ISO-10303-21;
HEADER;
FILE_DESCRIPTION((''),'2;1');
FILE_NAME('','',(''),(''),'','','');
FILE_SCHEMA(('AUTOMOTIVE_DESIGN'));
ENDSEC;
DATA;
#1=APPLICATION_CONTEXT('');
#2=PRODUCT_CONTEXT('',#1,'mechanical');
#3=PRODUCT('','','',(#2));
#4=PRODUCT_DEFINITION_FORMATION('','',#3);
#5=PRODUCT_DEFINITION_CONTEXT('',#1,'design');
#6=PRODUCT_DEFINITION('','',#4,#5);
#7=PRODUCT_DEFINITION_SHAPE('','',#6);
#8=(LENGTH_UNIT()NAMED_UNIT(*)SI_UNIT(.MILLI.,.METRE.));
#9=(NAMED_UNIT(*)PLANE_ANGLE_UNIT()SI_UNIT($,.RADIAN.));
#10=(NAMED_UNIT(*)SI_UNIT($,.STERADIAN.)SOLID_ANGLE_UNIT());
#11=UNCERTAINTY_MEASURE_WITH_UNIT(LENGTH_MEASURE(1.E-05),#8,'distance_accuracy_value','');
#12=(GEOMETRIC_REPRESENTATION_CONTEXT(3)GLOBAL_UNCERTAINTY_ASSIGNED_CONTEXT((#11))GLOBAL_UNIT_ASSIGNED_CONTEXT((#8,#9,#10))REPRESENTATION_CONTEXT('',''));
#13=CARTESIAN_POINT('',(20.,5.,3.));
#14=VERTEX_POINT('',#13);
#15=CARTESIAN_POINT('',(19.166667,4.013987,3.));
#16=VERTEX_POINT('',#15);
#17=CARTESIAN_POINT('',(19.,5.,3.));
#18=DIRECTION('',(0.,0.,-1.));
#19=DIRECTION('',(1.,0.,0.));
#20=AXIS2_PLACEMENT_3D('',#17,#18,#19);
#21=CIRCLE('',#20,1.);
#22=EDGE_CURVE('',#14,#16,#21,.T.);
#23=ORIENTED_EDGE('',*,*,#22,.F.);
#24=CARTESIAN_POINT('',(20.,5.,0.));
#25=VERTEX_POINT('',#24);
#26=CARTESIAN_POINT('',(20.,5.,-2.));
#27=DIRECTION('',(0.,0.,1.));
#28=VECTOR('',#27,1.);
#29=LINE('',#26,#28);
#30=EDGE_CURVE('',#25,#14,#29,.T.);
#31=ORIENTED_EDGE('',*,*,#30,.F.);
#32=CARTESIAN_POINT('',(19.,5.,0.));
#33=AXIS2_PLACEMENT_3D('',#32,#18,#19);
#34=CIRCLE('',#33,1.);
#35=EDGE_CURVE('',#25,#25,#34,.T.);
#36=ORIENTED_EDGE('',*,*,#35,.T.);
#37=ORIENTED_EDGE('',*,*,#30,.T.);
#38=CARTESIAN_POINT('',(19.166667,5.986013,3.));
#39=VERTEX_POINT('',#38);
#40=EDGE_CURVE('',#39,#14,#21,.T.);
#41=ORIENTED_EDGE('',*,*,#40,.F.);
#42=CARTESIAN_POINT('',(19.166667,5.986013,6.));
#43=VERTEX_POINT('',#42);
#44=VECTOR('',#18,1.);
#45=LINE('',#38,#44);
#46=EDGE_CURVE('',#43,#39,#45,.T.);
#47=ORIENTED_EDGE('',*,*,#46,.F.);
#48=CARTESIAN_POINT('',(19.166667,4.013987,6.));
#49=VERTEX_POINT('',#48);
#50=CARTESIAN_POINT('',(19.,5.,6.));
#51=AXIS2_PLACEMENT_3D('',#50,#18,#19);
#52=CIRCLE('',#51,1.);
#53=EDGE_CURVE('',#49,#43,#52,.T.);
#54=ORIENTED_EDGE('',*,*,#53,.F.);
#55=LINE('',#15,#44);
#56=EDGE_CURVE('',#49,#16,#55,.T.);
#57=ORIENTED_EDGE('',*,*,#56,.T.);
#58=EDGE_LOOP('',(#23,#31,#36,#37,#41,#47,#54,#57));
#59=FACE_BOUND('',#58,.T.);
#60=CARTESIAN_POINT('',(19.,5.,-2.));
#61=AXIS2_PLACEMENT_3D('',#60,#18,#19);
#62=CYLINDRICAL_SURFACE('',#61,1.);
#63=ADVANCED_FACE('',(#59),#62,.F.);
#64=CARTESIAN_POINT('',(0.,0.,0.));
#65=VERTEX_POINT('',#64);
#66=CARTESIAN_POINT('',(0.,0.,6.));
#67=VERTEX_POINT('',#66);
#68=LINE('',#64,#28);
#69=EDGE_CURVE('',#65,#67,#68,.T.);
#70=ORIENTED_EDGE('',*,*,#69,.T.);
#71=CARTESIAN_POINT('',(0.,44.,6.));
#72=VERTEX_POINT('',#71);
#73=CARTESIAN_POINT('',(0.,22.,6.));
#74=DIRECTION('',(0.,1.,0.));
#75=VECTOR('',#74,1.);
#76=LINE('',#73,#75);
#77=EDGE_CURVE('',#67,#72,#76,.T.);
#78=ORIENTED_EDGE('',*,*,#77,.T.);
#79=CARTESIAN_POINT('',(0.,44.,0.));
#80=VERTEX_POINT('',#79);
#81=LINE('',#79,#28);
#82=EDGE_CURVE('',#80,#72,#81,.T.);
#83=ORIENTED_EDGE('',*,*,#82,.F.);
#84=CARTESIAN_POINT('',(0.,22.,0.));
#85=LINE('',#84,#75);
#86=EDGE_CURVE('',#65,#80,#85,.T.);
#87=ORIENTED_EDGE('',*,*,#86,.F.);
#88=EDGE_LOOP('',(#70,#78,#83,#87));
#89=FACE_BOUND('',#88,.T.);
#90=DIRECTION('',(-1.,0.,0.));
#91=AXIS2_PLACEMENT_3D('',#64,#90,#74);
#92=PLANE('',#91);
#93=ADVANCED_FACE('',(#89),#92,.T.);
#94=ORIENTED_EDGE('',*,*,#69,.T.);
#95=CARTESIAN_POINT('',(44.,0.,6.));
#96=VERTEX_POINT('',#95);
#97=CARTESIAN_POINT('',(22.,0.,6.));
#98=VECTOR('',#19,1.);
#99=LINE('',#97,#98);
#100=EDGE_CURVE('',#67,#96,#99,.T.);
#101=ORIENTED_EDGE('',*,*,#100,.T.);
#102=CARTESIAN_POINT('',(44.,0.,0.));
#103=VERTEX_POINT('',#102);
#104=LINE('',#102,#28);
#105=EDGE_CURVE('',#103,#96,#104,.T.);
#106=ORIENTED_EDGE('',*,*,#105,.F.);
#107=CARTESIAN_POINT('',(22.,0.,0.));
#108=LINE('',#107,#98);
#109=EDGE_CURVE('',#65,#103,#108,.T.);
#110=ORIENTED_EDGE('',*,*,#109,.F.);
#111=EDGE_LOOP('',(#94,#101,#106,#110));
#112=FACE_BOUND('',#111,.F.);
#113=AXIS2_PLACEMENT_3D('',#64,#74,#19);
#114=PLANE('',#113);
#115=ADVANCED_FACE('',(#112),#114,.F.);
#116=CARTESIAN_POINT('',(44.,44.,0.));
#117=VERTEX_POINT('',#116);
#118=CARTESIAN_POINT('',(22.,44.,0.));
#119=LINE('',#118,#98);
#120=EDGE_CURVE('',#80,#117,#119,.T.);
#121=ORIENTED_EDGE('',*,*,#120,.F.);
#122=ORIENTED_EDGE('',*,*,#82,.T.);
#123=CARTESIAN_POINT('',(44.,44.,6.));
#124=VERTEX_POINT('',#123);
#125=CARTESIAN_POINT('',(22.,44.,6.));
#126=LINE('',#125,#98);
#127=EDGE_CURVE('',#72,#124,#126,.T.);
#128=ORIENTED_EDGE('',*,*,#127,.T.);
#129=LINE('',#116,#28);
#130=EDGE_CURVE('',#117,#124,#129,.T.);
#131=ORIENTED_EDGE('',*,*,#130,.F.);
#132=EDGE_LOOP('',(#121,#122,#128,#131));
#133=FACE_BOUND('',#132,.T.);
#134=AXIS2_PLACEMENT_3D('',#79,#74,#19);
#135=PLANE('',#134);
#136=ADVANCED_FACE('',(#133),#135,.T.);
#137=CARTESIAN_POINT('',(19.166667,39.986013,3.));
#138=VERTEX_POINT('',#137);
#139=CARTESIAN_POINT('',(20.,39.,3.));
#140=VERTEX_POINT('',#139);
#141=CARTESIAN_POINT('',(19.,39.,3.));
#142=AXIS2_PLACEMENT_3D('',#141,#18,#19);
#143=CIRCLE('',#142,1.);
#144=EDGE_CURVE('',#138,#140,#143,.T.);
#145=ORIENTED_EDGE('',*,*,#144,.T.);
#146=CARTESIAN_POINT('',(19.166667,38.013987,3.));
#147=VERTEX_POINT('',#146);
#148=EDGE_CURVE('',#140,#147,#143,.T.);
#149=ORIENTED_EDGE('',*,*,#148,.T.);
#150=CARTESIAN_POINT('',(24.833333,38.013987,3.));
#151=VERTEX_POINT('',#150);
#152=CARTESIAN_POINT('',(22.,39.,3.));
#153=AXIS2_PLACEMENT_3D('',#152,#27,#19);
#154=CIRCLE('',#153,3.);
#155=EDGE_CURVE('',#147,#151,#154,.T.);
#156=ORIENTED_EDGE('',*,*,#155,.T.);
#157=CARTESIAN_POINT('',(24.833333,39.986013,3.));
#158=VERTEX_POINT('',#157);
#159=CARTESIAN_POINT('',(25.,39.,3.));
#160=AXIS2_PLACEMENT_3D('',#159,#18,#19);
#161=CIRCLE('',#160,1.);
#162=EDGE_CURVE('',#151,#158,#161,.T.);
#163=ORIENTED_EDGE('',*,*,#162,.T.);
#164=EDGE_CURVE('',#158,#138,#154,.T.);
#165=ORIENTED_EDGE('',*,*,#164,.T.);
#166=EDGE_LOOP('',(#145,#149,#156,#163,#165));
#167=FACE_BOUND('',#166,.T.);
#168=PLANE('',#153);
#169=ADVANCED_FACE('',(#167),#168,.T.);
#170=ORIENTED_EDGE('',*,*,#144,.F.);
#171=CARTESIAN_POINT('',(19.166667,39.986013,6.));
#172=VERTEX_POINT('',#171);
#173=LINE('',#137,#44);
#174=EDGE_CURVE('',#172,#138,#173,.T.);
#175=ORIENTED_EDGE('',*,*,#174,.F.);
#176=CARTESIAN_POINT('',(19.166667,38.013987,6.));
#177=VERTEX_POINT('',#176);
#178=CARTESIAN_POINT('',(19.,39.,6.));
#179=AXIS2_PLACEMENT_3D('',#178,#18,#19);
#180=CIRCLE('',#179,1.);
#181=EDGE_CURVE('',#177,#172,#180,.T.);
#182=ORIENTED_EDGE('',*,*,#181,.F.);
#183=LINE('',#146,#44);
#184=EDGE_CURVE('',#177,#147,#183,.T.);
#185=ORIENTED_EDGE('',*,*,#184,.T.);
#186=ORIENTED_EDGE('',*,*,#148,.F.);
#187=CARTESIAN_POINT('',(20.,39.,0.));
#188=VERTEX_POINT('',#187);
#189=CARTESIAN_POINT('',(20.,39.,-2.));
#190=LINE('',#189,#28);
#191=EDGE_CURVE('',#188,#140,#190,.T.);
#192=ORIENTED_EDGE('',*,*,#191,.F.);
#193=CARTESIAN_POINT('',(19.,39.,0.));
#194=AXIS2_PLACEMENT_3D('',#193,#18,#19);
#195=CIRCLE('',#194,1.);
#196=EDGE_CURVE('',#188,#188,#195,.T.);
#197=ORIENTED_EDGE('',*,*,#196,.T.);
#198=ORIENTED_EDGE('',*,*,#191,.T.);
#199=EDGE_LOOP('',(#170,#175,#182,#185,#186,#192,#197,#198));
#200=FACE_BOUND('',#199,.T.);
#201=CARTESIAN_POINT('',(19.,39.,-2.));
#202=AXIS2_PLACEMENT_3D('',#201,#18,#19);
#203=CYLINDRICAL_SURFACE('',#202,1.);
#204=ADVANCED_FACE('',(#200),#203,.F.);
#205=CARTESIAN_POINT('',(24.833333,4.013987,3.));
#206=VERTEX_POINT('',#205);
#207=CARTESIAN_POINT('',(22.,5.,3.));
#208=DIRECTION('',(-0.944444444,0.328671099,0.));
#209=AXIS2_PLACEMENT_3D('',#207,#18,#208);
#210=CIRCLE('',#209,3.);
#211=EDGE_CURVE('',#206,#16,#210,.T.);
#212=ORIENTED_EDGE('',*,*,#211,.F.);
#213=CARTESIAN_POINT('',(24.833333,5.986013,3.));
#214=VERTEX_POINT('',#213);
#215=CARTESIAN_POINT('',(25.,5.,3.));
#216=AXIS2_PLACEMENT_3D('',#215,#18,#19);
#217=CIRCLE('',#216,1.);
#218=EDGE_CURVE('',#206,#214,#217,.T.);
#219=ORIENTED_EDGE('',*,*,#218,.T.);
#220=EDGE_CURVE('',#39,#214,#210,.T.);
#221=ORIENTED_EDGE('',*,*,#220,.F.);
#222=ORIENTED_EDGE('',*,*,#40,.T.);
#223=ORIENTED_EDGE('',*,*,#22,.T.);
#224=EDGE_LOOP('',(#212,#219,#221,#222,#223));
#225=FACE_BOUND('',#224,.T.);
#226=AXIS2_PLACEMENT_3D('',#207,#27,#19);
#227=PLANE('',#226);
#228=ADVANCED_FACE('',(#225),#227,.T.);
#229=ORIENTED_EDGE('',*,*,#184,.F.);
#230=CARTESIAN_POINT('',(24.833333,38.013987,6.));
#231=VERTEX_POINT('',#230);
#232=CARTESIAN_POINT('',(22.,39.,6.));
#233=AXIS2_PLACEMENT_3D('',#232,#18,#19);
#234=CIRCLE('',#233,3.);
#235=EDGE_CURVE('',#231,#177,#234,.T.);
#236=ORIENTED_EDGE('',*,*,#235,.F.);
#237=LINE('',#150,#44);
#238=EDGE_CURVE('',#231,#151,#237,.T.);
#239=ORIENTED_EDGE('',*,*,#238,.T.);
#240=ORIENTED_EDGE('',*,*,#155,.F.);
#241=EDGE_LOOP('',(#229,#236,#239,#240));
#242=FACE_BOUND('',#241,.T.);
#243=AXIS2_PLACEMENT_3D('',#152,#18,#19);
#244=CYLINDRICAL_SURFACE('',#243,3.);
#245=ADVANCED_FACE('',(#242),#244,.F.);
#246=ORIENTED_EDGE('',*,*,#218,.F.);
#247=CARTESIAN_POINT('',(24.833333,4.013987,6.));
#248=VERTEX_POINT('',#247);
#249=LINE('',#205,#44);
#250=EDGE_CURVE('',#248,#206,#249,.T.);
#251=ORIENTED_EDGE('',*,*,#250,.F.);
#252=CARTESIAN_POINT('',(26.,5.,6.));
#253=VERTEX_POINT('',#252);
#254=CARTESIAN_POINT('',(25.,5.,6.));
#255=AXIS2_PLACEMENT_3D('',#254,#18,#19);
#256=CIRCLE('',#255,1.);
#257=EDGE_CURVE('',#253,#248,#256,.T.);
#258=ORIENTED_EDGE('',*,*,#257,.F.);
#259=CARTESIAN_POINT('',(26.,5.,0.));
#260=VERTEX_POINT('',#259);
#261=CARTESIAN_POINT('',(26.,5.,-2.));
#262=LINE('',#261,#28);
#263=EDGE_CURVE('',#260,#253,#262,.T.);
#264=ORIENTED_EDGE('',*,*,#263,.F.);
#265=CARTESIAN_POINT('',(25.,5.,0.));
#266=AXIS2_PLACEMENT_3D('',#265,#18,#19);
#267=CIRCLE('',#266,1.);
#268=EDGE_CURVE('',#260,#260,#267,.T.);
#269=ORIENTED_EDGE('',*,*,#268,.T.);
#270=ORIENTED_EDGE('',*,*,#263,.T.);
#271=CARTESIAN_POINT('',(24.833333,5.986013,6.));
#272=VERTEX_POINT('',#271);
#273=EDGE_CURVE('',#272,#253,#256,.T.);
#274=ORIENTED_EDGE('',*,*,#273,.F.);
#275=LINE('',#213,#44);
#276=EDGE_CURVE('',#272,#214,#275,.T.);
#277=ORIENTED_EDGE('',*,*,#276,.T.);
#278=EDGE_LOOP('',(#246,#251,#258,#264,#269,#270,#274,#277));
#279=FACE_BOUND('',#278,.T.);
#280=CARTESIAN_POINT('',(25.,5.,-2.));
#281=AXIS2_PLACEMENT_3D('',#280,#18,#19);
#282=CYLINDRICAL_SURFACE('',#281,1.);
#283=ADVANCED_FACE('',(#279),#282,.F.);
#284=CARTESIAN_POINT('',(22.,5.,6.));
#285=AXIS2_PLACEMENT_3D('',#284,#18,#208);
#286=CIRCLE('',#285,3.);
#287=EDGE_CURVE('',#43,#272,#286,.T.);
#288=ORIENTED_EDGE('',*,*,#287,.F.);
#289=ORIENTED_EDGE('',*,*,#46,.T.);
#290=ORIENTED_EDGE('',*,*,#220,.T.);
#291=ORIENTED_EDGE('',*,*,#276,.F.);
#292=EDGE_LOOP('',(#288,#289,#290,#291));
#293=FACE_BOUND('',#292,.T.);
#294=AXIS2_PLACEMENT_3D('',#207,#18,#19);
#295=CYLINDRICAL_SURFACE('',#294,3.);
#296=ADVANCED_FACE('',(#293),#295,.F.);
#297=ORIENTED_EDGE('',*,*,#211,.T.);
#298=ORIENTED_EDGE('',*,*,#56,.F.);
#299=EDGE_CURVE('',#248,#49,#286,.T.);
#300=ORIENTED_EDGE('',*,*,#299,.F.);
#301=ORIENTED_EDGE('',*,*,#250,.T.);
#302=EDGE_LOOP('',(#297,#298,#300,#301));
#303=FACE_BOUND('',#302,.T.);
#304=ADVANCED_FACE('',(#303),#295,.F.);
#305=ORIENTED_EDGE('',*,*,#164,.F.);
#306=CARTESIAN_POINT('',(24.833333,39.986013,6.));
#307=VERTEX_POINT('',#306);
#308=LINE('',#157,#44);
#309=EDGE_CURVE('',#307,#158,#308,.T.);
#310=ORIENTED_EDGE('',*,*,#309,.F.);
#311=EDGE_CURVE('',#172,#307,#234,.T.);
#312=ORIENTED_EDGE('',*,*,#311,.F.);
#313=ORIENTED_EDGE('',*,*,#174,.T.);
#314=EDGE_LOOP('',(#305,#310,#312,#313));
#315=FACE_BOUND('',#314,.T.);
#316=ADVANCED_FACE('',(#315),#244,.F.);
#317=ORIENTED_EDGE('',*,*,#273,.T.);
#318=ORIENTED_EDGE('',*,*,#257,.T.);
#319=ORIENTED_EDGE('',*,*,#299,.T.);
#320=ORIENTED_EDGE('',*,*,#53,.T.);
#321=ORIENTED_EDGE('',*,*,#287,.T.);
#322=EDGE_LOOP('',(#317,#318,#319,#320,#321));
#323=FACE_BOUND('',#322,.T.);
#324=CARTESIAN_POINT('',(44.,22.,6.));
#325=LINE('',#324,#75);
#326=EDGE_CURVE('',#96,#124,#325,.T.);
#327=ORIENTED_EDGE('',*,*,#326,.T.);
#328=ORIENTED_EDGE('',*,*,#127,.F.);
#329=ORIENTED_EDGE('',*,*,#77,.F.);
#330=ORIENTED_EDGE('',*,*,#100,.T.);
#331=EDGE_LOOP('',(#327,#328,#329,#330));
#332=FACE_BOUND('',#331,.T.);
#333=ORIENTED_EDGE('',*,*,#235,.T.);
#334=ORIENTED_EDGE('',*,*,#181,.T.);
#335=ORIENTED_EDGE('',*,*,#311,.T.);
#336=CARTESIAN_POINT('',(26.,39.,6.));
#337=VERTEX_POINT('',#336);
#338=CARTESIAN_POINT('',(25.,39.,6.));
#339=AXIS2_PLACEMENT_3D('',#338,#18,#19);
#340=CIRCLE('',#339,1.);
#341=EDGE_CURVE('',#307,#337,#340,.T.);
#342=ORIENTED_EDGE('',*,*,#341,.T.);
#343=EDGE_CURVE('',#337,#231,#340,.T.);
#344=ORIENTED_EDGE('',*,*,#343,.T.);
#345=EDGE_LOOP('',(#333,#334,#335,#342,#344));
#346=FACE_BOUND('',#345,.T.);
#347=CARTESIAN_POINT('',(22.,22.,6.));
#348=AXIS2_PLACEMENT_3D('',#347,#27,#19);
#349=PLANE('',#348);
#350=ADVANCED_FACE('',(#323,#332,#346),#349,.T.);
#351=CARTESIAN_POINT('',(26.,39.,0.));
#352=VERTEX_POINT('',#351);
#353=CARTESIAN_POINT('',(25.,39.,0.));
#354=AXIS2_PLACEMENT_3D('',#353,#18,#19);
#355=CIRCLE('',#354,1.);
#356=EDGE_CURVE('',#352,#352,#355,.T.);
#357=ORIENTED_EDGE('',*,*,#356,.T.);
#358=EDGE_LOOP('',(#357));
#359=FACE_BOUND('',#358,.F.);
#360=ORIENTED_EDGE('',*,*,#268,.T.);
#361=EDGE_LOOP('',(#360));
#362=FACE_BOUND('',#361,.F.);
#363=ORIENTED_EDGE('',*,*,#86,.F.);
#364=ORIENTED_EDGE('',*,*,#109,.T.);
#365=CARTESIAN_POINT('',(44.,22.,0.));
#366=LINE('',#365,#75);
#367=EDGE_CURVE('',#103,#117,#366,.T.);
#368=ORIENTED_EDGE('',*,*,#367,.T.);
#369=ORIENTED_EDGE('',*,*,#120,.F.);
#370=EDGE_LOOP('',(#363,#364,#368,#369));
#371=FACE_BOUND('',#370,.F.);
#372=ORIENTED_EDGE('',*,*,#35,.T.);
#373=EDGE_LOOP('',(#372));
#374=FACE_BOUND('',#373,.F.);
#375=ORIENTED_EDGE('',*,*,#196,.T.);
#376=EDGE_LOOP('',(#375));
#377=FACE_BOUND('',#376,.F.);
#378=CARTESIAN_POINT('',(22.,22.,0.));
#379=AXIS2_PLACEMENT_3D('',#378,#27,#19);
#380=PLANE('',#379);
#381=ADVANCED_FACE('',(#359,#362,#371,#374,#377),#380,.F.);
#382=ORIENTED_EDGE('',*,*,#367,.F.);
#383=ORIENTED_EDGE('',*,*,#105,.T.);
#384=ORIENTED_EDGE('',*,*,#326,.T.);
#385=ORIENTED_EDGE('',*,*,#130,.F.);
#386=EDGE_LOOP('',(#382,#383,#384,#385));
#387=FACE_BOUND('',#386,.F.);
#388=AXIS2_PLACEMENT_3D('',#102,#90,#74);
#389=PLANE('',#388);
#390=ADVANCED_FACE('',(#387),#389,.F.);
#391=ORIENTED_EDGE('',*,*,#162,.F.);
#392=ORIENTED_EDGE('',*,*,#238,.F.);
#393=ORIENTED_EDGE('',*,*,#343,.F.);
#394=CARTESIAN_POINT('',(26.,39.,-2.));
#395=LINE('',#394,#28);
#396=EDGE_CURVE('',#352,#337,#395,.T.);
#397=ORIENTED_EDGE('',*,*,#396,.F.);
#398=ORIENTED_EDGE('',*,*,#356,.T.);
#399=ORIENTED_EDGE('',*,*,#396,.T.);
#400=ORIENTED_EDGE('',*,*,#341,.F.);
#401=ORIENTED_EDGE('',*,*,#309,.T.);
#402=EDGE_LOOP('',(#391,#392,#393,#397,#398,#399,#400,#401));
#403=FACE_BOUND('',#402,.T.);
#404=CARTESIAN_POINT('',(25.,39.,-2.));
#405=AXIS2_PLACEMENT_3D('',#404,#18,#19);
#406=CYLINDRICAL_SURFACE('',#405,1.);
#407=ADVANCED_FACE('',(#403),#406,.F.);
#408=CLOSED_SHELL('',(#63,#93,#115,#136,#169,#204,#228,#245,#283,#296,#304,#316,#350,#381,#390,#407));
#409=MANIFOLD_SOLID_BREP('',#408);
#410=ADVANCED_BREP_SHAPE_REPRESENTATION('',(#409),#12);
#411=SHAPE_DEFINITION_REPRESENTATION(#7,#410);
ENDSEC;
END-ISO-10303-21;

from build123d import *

# Parameters (mm, degrees)
CYLINDER004_R     = 1
CYLINDER004_DEPTH = 10
CYLINDER005_R     = 1
CYLINDER005_DEPTH = 10
CYLINDER003_R     = 1
CYLINDER003_DEPTH = 10
CYLINDER002_R     = 1
CYLINDER002_DEPTH = 10
CYLINDER_R        = 3
CYLINDER_DEPTH    = 10
CYLINDER001_R     = 3
CYLINDER001_DEPTH = 10
BOX_W             = 44
BOX_H             = 44
BOX_DEPTH         = 6


with BuildPart() as cylinder004:
    # Cylinder004 → Cylinder004 (new body)
    with BuildSketch(Plane(origin=(19, 39, -2), x_dir=(1, 0, 0), z_dir=(0, 0, 1))):
        Circle(CYLINDER004_R)
    extrude(amount=CYLINDER004_DEPTH)


with BuildPart() as cylinder005:
    # Cylinder005 → Cylinder005 (new body)
    with BuildSketch(Plane(origin=(25, 39, -2), x_dir=(1, 0, 0), z_dir=(0, 0, 1))):
        Circle(CYLINDER005_R)
    extrude(amount=CYLINDER005_DEPTH)


with BuildPart() as cylinder003:
    # Cylinder003 → Cylinder003 (new body)
    with BuildSketch(Plane(origin=(25, 5, -2), x_dir=(1, 0, 0), z_dir=(0, 0, 1))):
        Circle(CYLINDER003_R)
    extrude(amount=CYLINDER003_DEPTH)


with BuildPart() as cylinder002:
    # Cylinder002 → Cylinder002 (new body)
    with BuildSketch(Plane(origin=(19, 5, -2), x_dir=(1, 0, 0), z_dir=(0, 0, 1))):
        Circle(CYLINDER002_R)
    extrude(amount=CYLINDER002_DEPTH)


with BuildPart() as cylinder:
    # Cylinder → Cylinder (new body)
    with BuildSketch(Plane(origin=(22, 5, 3), x_dir=(1, 0, 0), z_dir=(0, 0, 1))):
        Circle(CYLINDER_R)
    extrude(amount=CYLINDER_DEPTH)


with BuildPart() as cylinder001:
    # Cylinder001 → Cylinder001 (new body)
    with BuildSketch(Plane(origin=(22, 39, 3), x_dir=(1, 0, 0), z_dir=(0, 0, 1))):
        Circle(CYLINDER001_R)
    extrude(amount=CYLINDER001_DEPTH)


with BuildPart() as cut005:
    # Box → Box (new body)
    with BuildSketch(Plane.XY):
        with Locations((22, 22)):
            Rectangle(BOX_W, BOX_H)
    extrude(amount=BOX_DEPTH)

    # Cut: cut Cylinder001
    add(cylinder001.part, mode=Mode.SUBTRACT)

    # Cut001: cut Cylinder
    add(cylinder.part, mode=Mode.SUBTRACT)

    # Cut002: cut Cylinder002
    add(cylinder002.part, mode=Mode.SUBTRACT)

    # Cut003: cut Cylinder003
    add(cylinder003.part, mode=Mode.SUBTRACT)

    # Cut004: cut Cylinder005
    add(cylinder005.part, mode=Mode.SUBTRACT)

    # Cut005: cut Cylinder004
    add(cylinder004.part, mode=Mode.SUBTRACT)


solid = cut005.part
